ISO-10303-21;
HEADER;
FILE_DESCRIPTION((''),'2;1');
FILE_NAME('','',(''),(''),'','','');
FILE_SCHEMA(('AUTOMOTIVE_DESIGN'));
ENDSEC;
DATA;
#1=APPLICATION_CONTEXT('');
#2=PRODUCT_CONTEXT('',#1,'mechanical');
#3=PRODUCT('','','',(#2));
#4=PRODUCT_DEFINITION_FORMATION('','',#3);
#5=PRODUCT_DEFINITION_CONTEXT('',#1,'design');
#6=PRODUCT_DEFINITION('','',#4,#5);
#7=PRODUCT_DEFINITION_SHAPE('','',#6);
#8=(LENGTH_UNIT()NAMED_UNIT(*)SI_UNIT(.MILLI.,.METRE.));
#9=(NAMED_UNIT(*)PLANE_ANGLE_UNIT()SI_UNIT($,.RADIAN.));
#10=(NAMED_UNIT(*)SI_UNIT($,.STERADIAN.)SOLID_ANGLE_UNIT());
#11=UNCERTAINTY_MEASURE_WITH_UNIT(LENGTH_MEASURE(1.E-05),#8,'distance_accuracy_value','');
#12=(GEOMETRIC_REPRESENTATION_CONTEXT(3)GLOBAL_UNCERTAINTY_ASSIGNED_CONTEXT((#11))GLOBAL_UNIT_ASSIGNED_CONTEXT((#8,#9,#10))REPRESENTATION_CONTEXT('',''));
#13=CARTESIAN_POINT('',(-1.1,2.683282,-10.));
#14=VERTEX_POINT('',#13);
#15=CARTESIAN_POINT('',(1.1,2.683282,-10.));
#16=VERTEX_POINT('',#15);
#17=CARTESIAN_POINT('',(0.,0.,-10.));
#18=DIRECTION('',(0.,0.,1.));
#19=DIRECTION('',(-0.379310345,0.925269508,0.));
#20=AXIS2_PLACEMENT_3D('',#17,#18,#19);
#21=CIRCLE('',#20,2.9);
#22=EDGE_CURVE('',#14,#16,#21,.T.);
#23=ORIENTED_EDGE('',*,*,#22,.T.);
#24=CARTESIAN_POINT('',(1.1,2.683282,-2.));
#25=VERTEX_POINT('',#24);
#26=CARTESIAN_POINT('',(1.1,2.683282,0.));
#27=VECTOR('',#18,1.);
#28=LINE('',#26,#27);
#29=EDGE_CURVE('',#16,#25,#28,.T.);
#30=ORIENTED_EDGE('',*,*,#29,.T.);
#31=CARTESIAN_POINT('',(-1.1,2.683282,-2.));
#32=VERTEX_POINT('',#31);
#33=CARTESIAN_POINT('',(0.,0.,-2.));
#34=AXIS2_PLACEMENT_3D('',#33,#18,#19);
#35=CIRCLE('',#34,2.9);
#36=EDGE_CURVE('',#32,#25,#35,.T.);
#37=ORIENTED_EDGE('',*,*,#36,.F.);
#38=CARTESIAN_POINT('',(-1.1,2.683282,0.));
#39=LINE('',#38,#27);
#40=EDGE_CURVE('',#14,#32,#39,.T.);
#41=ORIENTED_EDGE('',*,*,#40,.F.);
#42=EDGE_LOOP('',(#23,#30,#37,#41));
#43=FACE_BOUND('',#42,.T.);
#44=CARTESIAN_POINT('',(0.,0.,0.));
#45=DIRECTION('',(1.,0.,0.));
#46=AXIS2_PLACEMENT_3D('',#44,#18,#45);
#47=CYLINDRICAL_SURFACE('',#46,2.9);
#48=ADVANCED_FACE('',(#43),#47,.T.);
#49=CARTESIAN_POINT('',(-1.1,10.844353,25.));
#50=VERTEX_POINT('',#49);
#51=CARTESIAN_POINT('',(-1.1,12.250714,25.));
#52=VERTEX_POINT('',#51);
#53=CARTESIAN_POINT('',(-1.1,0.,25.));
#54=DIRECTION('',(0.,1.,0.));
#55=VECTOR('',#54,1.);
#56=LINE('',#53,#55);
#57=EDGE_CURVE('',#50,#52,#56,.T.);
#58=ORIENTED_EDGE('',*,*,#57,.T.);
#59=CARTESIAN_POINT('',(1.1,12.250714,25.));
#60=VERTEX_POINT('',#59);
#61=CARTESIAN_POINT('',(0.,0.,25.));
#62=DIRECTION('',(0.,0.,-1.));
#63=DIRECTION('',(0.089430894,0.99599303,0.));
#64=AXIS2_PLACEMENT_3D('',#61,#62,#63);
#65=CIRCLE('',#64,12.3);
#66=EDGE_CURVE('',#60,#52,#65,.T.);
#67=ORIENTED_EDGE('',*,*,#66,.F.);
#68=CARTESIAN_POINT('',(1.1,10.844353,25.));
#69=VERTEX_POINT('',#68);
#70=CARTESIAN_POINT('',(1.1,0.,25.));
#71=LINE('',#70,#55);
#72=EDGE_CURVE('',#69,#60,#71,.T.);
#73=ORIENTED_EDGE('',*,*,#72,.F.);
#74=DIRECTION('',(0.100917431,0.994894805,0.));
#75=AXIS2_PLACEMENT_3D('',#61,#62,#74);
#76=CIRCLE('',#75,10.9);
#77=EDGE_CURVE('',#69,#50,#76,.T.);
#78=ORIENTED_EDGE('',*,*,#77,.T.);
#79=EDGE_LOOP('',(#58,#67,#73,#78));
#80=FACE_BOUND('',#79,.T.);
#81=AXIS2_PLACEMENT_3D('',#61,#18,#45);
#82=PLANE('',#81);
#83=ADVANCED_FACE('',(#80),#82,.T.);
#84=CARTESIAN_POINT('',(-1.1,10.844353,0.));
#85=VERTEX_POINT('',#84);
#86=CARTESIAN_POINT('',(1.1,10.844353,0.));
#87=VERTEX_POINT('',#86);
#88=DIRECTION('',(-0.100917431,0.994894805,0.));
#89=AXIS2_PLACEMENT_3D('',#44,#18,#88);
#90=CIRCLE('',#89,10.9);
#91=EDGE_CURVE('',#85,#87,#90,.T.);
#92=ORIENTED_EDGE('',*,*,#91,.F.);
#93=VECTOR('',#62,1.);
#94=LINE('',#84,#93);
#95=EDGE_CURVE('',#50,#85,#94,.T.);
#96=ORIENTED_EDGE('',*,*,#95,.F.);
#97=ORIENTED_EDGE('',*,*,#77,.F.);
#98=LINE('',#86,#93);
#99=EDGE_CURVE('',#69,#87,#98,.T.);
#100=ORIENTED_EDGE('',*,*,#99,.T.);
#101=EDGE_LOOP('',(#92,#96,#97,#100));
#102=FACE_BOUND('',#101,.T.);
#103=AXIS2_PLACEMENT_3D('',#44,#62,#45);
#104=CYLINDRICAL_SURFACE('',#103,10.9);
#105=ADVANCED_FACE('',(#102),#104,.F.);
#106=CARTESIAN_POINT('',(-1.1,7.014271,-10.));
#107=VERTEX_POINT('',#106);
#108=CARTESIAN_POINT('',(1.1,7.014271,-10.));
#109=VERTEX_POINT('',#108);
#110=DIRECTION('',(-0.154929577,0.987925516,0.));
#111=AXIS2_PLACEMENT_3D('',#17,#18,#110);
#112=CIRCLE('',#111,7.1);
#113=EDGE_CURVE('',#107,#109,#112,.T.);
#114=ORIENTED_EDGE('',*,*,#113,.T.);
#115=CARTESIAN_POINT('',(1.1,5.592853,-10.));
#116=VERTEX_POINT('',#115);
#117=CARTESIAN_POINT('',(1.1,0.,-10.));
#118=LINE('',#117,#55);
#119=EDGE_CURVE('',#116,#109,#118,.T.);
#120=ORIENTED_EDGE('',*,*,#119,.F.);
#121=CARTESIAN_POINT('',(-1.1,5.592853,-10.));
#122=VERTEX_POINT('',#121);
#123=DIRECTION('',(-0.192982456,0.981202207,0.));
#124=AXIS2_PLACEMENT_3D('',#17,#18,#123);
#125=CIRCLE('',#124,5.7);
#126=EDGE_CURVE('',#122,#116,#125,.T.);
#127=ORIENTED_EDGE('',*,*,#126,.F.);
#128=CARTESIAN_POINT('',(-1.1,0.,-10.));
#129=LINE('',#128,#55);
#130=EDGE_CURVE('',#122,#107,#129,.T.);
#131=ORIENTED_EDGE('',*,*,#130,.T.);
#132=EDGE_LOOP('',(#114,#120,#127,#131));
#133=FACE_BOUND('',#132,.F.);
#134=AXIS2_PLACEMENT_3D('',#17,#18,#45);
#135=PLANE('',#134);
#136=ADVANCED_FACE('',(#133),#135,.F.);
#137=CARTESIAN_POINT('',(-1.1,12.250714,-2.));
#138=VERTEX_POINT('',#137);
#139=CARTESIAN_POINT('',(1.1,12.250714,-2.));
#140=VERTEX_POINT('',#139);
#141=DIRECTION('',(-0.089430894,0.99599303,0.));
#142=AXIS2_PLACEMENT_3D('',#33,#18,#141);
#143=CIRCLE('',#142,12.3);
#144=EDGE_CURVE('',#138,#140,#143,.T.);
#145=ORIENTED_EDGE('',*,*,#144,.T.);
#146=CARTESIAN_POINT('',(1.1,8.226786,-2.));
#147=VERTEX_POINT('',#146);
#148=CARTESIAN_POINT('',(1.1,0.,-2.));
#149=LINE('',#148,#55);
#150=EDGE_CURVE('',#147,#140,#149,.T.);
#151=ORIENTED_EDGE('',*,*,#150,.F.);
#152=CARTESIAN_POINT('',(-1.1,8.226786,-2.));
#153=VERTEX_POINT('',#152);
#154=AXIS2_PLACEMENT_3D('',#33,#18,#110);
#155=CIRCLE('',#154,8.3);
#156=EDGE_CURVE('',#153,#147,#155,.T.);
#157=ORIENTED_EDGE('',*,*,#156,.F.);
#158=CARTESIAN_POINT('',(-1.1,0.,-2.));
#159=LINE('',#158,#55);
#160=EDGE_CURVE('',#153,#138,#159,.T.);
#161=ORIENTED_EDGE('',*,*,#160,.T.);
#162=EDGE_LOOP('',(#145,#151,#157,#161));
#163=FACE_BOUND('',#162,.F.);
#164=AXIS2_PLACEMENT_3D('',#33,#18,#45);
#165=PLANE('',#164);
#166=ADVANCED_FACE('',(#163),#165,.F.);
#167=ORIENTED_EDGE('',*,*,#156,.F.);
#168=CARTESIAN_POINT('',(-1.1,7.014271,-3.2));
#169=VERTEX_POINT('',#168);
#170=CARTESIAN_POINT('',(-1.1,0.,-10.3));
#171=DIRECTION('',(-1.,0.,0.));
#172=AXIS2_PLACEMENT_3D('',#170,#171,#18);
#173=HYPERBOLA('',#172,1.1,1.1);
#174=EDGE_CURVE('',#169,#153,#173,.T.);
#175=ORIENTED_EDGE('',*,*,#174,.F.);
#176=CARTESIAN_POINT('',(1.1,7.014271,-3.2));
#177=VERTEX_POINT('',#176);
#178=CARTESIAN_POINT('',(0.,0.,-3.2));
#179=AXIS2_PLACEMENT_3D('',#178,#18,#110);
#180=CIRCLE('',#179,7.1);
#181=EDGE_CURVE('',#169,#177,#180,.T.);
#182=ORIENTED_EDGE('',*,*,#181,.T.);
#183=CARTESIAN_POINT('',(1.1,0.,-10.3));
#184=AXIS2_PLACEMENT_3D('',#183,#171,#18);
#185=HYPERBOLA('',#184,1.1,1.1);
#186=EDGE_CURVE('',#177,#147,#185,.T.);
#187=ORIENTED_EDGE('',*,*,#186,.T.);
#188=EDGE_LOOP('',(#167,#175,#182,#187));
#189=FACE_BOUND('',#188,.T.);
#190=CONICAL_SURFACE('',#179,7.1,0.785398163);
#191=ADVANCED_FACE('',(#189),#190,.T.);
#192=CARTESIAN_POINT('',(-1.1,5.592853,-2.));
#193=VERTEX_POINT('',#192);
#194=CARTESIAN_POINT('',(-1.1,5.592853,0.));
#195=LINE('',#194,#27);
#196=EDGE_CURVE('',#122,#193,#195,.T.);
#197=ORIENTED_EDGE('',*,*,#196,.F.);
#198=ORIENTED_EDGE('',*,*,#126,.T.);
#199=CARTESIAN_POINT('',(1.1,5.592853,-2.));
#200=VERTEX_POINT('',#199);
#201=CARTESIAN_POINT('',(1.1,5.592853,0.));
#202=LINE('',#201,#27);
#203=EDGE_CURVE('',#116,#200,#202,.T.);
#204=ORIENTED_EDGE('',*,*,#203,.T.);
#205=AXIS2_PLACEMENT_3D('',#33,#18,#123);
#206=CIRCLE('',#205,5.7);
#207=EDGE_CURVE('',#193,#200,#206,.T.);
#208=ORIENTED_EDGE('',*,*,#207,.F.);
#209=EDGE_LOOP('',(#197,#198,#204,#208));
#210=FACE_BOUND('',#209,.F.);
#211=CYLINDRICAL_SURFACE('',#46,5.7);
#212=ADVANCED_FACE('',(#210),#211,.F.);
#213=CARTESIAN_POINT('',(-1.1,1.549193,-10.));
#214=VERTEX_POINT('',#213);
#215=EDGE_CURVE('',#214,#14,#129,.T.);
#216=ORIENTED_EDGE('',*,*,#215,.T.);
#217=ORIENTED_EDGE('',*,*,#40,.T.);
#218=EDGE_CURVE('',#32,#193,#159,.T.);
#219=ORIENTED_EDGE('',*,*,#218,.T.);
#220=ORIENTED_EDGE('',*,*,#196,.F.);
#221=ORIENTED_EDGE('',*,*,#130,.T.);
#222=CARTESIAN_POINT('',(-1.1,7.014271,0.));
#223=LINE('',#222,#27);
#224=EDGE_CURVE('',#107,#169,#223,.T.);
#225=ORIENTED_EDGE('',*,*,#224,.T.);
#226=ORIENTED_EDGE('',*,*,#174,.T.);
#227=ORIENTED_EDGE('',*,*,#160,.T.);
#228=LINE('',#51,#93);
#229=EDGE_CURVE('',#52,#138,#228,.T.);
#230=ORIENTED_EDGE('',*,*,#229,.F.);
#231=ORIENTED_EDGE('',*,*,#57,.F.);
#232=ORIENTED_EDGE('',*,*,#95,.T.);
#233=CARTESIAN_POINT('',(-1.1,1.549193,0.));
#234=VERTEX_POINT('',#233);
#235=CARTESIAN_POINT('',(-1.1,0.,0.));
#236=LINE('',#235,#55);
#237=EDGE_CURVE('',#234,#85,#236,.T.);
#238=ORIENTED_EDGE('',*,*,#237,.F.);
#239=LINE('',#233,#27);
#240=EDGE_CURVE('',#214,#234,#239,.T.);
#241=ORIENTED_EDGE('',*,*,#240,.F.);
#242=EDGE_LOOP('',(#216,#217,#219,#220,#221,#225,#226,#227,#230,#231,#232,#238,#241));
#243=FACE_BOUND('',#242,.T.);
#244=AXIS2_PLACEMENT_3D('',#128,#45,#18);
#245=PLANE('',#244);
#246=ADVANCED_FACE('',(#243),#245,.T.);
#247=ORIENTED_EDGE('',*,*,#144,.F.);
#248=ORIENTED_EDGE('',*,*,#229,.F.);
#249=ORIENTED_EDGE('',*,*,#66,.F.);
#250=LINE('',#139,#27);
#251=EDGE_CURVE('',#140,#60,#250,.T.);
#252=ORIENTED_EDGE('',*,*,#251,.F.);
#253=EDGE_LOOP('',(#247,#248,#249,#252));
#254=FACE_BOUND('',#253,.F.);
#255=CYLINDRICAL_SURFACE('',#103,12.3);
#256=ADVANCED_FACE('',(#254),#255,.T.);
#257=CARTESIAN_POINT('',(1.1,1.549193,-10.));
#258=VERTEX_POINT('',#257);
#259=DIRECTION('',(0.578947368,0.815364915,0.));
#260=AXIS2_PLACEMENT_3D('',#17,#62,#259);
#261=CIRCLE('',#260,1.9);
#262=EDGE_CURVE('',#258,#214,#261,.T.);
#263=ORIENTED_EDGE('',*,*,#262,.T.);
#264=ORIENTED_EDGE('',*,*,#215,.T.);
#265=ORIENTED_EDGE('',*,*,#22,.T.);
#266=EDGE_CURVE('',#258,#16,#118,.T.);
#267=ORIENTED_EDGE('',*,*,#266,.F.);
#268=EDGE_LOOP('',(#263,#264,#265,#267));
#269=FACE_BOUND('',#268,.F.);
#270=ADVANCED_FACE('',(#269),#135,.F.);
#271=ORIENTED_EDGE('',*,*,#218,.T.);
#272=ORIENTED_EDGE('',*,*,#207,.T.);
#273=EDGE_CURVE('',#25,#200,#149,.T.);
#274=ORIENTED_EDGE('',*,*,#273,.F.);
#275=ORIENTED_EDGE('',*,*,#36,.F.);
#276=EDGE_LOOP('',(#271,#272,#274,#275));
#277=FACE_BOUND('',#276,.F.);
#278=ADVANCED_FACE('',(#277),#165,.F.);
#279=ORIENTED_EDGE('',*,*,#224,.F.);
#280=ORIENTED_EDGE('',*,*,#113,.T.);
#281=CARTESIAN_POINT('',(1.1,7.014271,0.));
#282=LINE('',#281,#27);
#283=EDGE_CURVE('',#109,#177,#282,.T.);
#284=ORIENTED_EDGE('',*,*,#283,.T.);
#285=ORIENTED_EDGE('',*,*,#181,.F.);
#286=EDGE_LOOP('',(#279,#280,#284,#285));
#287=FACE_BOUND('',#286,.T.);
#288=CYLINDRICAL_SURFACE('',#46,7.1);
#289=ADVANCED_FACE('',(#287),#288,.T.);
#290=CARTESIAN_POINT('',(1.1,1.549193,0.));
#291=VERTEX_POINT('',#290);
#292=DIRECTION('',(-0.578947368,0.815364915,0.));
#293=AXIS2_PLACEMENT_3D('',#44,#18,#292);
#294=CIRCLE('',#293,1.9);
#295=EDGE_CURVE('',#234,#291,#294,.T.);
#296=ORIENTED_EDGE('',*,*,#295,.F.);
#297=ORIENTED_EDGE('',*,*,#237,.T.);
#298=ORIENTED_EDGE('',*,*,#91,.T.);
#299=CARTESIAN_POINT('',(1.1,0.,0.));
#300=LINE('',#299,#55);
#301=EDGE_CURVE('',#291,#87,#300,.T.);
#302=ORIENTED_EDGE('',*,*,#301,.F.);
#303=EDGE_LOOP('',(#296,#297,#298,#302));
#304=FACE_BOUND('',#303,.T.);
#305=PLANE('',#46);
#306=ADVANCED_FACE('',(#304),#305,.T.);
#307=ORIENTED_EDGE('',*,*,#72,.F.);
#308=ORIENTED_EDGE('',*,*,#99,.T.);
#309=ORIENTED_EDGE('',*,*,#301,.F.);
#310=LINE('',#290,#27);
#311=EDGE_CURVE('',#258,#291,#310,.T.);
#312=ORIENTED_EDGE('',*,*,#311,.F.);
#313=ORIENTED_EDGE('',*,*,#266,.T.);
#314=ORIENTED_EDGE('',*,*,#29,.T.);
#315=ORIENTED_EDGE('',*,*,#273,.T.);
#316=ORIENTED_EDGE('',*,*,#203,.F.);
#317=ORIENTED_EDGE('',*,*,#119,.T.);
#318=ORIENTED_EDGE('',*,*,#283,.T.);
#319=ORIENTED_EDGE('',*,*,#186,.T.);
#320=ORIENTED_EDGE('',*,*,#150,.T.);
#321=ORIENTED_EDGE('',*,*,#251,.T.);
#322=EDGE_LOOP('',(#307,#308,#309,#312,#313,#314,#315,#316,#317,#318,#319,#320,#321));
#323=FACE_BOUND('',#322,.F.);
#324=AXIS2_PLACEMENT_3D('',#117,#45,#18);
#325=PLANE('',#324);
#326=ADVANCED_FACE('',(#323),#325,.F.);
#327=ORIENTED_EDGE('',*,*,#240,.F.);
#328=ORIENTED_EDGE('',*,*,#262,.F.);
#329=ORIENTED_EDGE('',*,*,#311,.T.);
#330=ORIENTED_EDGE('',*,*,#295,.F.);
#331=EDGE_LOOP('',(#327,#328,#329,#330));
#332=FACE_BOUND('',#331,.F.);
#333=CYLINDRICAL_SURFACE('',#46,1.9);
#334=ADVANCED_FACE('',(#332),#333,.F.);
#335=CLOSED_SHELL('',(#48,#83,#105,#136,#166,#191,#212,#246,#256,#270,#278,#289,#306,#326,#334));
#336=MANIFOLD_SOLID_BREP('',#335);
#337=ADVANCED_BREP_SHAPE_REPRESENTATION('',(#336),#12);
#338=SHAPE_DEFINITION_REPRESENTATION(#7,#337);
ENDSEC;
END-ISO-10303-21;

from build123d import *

# Parameters (mm, degrees)
F0_R     = 12.3
F0_R_2   = 10.9
F0_R_3   = 7.1
F0_R_4   = 5.7
F0_R_5   = 2.9
F0_R_6   = 1.9
F1_DEPTH = 2
F2_DEPTH = 10
F3_DEPTH = 25
F4_W     = 2.2
F4_H     = 35
F5_DEPTH = 12.301
F6_SIZE  = 1.2


with BuildPart() as f1:
    # F0 (on Top) → F1 (new body)
    with BuildSketch(Plane.XY):
        Circle(F0_R)
        Circle(F0_R_2, mode=Mode.SUBTRACT)
        Circle(F0_R_2)
        Circle(F0_R_3, mode=Mode.SUBTRACT)
        Circle(F0_R_3)
        Circle(F0_R_4, mode=Mode.SUBTRACT)
        Circle(F0_R_4)
        Circle(F0_R_5, mode=Mode.SUBTRACT)
        Circle(F0_R_5)
        Circle(F0_R_6, mode=Mode.SUBTRACT)
    extrude(amount=-F1_DEPTH)

    # F0 (on Top) → F2 (join)
    with BuildSketch(Plane.XY):
        Circle(F0_R_3)
        Circle(F0_R_4, mode=Mode.SUBTRACT)
        Circle(F0_R_5)
        Circle(F0_R_6, mode=Mode.SUBTRACT)
    extrude(amount=-F2_DEPTH)

    # F0 (on Top) → F3 (join)
    with BuildSketch(Plane.XY):
        Circle(F0_R)
        Circle(F0_R_2, mode=Mode.SUBTRACT)
    extrude(amount=F3_DEPTH)

    # F4 (on Front) → F5 (cut, through all)
    with BuildSketch(Plane.XZ):
        with Locations((0, 7.5)):
            Rectangle(F4_W, F4_H)
    extrude(amount=-F5_DEPTH, mode=Mode.SUBTRACT)

    # F6
    f6_edges = [f1.edges().sort_by_distance(p)[0] for p in [
        (0, -7.1, -2),
    ]]
    chamfer(f6_edges, length=F6_SIZE)


solid = f1.part
